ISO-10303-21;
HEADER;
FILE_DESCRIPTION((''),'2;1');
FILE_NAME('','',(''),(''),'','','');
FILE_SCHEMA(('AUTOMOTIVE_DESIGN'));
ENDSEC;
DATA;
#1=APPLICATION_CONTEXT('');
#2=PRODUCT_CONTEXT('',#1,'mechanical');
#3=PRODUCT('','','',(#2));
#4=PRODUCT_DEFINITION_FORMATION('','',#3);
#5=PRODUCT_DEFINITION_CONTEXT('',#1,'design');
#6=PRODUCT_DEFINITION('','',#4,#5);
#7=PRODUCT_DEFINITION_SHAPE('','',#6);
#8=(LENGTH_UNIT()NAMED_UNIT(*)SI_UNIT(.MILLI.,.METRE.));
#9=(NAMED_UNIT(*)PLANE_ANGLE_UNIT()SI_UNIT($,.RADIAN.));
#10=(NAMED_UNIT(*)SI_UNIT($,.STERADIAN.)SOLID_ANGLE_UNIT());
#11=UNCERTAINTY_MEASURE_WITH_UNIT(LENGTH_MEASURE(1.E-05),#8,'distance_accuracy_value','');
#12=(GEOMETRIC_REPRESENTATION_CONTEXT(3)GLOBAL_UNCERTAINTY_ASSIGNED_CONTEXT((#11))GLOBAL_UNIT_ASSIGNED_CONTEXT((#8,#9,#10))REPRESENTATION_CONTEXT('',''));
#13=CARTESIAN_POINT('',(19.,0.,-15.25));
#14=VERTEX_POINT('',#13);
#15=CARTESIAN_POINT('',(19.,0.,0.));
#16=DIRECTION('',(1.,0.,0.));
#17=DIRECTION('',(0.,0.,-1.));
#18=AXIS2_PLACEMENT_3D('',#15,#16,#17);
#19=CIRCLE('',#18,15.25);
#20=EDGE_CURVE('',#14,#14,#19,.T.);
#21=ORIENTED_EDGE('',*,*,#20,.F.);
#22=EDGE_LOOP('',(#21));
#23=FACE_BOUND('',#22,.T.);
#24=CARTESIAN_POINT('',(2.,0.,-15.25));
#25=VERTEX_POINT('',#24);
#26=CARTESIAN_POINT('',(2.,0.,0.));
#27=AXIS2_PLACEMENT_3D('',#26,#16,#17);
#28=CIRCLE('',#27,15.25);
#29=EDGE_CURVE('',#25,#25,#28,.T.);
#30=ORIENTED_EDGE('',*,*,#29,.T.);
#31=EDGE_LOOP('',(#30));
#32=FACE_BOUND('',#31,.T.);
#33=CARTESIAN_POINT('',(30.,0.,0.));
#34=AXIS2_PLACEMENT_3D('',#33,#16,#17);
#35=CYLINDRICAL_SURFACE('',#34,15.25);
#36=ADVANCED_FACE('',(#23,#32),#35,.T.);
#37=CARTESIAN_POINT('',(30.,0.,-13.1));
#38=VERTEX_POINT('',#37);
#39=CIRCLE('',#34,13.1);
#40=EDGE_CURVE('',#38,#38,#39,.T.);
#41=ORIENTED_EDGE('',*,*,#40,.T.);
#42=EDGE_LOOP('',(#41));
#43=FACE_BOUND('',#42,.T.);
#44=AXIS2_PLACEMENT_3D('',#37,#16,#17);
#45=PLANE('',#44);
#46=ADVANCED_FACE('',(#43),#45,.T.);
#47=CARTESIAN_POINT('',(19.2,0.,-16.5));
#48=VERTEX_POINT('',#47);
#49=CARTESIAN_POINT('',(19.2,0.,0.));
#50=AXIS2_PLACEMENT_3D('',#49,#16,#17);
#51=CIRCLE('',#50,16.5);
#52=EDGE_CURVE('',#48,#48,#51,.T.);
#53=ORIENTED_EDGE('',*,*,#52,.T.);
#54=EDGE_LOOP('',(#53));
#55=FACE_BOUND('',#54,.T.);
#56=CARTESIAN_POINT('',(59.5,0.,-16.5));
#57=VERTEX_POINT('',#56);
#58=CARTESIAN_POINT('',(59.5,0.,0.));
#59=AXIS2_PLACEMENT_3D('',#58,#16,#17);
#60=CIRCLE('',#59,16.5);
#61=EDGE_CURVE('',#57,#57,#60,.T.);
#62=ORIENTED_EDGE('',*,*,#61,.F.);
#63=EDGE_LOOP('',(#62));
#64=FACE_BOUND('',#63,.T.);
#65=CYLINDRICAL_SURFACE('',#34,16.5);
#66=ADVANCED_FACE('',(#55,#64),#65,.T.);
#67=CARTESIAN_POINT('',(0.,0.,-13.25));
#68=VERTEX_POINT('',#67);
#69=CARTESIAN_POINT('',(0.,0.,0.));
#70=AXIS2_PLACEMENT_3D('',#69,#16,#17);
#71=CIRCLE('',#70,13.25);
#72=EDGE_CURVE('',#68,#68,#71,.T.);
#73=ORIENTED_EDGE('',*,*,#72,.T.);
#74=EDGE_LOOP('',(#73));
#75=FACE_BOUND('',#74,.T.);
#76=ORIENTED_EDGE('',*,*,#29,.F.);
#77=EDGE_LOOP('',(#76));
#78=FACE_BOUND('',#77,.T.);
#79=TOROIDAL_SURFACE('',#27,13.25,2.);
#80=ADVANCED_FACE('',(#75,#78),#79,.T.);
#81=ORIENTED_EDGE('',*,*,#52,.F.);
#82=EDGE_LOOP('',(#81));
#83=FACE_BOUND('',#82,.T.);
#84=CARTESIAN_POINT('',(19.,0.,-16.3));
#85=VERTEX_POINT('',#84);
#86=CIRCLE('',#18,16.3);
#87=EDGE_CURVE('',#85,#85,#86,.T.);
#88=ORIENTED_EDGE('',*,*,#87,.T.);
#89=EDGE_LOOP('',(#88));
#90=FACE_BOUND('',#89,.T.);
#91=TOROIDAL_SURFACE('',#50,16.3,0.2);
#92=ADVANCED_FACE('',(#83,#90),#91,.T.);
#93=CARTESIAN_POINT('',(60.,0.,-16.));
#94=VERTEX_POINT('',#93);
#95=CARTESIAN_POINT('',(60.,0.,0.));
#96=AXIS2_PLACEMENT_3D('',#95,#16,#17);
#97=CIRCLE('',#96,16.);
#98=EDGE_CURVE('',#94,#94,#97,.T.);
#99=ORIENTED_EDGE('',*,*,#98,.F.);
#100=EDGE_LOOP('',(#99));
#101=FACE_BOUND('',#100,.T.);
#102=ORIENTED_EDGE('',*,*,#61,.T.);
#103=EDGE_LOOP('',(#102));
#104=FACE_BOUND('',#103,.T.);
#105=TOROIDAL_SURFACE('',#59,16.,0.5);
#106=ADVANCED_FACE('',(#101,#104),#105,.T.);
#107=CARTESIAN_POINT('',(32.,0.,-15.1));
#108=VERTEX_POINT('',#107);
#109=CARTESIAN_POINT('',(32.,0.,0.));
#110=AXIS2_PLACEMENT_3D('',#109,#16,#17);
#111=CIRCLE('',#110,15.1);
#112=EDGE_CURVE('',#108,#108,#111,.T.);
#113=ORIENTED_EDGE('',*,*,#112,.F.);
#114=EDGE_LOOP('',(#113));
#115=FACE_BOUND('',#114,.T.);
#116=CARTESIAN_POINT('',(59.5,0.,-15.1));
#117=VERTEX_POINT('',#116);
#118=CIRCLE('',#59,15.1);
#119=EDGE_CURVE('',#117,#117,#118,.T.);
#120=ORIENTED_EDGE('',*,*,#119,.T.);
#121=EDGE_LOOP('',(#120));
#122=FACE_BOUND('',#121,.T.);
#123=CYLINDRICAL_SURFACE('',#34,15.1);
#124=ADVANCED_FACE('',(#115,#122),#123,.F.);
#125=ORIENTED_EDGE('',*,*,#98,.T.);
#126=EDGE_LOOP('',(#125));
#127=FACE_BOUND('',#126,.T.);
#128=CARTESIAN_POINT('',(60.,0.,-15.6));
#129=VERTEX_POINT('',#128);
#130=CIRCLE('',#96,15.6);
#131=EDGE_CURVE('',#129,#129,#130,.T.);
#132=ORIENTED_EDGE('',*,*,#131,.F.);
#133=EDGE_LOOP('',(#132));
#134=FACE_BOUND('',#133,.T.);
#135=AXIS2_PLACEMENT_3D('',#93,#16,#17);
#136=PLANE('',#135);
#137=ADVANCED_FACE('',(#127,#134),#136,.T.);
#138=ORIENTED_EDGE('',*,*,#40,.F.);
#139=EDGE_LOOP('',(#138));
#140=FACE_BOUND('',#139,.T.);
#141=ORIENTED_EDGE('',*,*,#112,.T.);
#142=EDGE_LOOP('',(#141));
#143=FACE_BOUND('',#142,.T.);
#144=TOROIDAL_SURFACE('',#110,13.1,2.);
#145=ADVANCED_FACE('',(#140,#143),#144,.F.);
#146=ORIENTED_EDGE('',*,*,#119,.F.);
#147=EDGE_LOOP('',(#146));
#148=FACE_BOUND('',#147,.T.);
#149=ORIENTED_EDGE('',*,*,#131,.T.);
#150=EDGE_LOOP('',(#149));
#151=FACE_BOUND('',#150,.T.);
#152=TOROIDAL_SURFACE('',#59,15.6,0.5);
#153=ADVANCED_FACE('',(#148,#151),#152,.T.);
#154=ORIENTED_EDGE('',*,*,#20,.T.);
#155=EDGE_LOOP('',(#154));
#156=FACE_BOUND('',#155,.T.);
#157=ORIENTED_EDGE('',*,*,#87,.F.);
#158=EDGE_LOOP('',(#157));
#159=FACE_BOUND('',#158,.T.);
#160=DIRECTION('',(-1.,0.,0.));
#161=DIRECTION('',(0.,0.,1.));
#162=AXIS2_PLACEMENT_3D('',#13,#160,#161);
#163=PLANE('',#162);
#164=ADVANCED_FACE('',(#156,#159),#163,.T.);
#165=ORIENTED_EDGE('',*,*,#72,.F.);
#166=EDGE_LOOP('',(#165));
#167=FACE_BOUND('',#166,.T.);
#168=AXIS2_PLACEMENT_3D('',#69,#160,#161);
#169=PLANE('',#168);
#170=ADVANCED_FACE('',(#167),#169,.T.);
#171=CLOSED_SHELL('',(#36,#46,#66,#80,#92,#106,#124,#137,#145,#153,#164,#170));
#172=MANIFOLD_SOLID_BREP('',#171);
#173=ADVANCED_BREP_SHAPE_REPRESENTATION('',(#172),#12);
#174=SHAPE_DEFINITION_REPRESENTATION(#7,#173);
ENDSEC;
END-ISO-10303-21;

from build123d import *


with BuildPart() as part:
    # Sketch1 → Revolve1 (revolve)
    with BuildSketch(Plane(origin=(0, 0, 0), x_dir=(1, 0, 0), z_dir=(0, 1, 0))):
        with BuildLine():
            Line((0, 0), (0, 13.25))
            ThreePointArc((0, 13.25), (0.585786438, 14.664213562), (2, 15.25))
            Line((2, 15.25), (19, 15.25))
            Line((19, 15.25), (19, 16.3))
            ThreePointArc((19, 16.3), (19.058578644, 16.441421356), (19.2, 16.5))
            Line((19.2, 16.5), (59.5, 16.5))
            ThreePointArc((59.5, 16.5), (59.853553391, 16.353553391), (60, 16))
            Line((60, 16), (60, 15.6))
            ThreePointArc((60, 15.6), (59.853553391, 15.246446609), (59.5, 15.1))
            Line((59.5, 15.1), (32, 15.1))
            ThreePointArc((32, 15.1), (30.585786438, 14.514213562), (30, 13.1))
            Line((30, 13.1), (30, 0))
            Line((30, 0), (0, 0))
        make_face()
    revolve(axis=Axis((30, 0, 0), (-1, 0, 0)))


solid = part.part
